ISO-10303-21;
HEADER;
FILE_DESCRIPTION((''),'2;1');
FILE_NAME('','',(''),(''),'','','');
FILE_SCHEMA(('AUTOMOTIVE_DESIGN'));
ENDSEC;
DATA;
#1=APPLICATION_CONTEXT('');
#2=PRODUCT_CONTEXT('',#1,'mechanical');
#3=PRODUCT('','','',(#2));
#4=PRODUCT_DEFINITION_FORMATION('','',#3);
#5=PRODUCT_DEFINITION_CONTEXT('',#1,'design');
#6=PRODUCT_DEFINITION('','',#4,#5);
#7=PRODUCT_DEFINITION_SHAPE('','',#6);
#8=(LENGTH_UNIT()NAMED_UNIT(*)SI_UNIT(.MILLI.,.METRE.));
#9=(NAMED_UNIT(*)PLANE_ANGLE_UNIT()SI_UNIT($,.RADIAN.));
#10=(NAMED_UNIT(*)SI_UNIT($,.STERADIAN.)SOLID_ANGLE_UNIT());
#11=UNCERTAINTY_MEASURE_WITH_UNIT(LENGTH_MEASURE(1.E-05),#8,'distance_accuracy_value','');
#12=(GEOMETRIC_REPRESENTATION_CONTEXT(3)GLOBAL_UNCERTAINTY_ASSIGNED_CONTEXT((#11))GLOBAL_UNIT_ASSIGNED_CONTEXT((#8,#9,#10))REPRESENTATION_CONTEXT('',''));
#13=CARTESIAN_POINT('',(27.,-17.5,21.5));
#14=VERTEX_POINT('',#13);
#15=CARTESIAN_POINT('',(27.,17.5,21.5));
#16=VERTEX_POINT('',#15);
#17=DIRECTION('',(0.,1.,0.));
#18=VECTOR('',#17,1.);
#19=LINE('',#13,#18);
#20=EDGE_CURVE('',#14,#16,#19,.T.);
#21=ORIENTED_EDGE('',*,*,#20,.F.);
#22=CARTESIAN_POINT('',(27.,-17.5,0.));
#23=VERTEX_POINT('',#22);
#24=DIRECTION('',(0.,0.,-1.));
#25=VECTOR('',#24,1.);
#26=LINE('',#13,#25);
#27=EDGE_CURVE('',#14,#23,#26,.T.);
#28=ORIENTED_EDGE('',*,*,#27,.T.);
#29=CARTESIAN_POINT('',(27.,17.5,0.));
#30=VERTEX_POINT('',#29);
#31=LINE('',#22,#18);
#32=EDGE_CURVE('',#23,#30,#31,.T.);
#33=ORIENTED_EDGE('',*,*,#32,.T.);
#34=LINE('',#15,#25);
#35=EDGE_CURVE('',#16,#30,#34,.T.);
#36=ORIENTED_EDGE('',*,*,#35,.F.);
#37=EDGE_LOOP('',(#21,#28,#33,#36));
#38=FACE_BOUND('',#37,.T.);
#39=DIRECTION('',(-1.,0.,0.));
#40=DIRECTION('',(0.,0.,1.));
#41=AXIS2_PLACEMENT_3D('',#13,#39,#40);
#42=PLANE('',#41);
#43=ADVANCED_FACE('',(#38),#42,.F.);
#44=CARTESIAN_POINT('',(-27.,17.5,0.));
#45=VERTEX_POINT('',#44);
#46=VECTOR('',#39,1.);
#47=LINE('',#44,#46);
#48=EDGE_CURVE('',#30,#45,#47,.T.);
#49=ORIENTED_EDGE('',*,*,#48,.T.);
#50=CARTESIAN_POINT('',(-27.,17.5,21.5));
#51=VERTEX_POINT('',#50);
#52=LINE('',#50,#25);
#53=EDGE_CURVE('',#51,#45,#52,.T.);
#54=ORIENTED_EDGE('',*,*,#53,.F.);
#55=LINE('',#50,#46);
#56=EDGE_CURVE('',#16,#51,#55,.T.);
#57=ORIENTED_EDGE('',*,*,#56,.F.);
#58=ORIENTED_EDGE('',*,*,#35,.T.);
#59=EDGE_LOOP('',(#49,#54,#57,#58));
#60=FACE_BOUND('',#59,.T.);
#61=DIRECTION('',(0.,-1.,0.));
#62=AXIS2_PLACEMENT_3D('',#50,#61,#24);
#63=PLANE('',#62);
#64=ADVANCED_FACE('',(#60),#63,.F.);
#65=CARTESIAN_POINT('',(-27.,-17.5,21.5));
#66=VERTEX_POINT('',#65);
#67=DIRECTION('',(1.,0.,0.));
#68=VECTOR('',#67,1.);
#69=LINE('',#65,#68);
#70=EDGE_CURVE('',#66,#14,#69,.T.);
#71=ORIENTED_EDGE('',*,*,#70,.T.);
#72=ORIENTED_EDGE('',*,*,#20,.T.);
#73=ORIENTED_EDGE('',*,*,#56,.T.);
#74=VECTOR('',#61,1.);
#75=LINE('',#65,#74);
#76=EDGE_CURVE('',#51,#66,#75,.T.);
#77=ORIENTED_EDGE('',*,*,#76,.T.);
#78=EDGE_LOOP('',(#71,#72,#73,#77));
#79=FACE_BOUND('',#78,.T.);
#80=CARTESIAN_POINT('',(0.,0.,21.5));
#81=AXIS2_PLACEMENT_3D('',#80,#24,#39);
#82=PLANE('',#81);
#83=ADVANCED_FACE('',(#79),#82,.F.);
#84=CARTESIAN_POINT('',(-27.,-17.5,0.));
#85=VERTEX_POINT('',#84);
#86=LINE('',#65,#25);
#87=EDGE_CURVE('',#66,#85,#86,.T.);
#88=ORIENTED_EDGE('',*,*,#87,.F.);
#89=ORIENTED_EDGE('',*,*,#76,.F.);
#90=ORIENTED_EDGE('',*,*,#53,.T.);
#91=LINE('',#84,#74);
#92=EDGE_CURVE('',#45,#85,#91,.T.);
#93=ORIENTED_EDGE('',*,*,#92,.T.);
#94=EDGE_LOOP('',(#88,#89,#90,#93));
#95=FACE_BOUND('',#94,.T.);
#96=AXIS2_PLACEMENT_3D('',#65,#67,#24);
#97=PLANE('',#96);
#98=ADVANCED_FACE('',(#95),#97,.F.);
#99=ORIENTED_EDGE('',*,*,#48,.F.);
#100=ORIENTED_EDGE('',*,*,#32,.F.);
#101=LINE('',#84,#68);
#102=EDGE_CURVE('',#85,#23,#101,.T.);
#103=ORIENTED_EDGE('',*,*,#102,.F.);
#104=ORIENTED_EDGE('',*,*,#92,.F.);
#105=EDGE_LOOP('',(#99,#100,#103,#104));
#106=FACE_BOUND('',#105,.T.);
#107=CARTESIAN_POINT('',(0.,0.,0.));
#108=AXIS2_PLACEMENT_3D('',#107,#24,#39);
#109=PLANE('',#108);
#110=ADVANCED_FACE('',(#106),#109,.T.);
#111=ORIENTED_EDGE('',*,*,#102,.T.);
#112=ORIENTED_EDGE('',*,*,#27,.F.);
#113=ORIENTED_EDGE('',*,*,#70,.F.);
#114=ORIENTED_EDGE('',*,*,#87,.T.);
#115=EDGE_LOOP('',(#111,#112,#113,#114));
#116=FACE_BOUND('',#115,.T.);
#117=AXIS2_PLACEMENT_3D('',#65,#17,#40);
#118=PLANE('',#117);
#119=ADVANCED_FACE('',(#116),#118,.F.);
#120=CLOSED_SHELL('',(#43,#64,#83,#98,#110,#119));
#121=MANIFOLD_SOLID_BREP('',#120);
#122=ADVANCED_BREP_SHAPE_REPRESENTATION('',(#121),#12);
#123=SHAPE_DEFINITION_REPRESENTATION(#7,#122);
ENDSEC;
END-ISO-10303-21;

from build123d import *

# Parameters (mm, degrees)
SKETCH_1_W      = 54
SKETCH_1_H      = 35
EXTRUDE_1_DEPTH = 21.5


with BuildPart() as part:
    # ｽｹｯﾁ1 → ﾎﾞｽ - 押し出し1 (new body)
    with BuildSketch(Plane.XY):
        Rectangle(SKETCH_1_W, SKETCH_1_H)
    extrude(amount=EXTRUDE_1_DEPTH)


solid = part.part
